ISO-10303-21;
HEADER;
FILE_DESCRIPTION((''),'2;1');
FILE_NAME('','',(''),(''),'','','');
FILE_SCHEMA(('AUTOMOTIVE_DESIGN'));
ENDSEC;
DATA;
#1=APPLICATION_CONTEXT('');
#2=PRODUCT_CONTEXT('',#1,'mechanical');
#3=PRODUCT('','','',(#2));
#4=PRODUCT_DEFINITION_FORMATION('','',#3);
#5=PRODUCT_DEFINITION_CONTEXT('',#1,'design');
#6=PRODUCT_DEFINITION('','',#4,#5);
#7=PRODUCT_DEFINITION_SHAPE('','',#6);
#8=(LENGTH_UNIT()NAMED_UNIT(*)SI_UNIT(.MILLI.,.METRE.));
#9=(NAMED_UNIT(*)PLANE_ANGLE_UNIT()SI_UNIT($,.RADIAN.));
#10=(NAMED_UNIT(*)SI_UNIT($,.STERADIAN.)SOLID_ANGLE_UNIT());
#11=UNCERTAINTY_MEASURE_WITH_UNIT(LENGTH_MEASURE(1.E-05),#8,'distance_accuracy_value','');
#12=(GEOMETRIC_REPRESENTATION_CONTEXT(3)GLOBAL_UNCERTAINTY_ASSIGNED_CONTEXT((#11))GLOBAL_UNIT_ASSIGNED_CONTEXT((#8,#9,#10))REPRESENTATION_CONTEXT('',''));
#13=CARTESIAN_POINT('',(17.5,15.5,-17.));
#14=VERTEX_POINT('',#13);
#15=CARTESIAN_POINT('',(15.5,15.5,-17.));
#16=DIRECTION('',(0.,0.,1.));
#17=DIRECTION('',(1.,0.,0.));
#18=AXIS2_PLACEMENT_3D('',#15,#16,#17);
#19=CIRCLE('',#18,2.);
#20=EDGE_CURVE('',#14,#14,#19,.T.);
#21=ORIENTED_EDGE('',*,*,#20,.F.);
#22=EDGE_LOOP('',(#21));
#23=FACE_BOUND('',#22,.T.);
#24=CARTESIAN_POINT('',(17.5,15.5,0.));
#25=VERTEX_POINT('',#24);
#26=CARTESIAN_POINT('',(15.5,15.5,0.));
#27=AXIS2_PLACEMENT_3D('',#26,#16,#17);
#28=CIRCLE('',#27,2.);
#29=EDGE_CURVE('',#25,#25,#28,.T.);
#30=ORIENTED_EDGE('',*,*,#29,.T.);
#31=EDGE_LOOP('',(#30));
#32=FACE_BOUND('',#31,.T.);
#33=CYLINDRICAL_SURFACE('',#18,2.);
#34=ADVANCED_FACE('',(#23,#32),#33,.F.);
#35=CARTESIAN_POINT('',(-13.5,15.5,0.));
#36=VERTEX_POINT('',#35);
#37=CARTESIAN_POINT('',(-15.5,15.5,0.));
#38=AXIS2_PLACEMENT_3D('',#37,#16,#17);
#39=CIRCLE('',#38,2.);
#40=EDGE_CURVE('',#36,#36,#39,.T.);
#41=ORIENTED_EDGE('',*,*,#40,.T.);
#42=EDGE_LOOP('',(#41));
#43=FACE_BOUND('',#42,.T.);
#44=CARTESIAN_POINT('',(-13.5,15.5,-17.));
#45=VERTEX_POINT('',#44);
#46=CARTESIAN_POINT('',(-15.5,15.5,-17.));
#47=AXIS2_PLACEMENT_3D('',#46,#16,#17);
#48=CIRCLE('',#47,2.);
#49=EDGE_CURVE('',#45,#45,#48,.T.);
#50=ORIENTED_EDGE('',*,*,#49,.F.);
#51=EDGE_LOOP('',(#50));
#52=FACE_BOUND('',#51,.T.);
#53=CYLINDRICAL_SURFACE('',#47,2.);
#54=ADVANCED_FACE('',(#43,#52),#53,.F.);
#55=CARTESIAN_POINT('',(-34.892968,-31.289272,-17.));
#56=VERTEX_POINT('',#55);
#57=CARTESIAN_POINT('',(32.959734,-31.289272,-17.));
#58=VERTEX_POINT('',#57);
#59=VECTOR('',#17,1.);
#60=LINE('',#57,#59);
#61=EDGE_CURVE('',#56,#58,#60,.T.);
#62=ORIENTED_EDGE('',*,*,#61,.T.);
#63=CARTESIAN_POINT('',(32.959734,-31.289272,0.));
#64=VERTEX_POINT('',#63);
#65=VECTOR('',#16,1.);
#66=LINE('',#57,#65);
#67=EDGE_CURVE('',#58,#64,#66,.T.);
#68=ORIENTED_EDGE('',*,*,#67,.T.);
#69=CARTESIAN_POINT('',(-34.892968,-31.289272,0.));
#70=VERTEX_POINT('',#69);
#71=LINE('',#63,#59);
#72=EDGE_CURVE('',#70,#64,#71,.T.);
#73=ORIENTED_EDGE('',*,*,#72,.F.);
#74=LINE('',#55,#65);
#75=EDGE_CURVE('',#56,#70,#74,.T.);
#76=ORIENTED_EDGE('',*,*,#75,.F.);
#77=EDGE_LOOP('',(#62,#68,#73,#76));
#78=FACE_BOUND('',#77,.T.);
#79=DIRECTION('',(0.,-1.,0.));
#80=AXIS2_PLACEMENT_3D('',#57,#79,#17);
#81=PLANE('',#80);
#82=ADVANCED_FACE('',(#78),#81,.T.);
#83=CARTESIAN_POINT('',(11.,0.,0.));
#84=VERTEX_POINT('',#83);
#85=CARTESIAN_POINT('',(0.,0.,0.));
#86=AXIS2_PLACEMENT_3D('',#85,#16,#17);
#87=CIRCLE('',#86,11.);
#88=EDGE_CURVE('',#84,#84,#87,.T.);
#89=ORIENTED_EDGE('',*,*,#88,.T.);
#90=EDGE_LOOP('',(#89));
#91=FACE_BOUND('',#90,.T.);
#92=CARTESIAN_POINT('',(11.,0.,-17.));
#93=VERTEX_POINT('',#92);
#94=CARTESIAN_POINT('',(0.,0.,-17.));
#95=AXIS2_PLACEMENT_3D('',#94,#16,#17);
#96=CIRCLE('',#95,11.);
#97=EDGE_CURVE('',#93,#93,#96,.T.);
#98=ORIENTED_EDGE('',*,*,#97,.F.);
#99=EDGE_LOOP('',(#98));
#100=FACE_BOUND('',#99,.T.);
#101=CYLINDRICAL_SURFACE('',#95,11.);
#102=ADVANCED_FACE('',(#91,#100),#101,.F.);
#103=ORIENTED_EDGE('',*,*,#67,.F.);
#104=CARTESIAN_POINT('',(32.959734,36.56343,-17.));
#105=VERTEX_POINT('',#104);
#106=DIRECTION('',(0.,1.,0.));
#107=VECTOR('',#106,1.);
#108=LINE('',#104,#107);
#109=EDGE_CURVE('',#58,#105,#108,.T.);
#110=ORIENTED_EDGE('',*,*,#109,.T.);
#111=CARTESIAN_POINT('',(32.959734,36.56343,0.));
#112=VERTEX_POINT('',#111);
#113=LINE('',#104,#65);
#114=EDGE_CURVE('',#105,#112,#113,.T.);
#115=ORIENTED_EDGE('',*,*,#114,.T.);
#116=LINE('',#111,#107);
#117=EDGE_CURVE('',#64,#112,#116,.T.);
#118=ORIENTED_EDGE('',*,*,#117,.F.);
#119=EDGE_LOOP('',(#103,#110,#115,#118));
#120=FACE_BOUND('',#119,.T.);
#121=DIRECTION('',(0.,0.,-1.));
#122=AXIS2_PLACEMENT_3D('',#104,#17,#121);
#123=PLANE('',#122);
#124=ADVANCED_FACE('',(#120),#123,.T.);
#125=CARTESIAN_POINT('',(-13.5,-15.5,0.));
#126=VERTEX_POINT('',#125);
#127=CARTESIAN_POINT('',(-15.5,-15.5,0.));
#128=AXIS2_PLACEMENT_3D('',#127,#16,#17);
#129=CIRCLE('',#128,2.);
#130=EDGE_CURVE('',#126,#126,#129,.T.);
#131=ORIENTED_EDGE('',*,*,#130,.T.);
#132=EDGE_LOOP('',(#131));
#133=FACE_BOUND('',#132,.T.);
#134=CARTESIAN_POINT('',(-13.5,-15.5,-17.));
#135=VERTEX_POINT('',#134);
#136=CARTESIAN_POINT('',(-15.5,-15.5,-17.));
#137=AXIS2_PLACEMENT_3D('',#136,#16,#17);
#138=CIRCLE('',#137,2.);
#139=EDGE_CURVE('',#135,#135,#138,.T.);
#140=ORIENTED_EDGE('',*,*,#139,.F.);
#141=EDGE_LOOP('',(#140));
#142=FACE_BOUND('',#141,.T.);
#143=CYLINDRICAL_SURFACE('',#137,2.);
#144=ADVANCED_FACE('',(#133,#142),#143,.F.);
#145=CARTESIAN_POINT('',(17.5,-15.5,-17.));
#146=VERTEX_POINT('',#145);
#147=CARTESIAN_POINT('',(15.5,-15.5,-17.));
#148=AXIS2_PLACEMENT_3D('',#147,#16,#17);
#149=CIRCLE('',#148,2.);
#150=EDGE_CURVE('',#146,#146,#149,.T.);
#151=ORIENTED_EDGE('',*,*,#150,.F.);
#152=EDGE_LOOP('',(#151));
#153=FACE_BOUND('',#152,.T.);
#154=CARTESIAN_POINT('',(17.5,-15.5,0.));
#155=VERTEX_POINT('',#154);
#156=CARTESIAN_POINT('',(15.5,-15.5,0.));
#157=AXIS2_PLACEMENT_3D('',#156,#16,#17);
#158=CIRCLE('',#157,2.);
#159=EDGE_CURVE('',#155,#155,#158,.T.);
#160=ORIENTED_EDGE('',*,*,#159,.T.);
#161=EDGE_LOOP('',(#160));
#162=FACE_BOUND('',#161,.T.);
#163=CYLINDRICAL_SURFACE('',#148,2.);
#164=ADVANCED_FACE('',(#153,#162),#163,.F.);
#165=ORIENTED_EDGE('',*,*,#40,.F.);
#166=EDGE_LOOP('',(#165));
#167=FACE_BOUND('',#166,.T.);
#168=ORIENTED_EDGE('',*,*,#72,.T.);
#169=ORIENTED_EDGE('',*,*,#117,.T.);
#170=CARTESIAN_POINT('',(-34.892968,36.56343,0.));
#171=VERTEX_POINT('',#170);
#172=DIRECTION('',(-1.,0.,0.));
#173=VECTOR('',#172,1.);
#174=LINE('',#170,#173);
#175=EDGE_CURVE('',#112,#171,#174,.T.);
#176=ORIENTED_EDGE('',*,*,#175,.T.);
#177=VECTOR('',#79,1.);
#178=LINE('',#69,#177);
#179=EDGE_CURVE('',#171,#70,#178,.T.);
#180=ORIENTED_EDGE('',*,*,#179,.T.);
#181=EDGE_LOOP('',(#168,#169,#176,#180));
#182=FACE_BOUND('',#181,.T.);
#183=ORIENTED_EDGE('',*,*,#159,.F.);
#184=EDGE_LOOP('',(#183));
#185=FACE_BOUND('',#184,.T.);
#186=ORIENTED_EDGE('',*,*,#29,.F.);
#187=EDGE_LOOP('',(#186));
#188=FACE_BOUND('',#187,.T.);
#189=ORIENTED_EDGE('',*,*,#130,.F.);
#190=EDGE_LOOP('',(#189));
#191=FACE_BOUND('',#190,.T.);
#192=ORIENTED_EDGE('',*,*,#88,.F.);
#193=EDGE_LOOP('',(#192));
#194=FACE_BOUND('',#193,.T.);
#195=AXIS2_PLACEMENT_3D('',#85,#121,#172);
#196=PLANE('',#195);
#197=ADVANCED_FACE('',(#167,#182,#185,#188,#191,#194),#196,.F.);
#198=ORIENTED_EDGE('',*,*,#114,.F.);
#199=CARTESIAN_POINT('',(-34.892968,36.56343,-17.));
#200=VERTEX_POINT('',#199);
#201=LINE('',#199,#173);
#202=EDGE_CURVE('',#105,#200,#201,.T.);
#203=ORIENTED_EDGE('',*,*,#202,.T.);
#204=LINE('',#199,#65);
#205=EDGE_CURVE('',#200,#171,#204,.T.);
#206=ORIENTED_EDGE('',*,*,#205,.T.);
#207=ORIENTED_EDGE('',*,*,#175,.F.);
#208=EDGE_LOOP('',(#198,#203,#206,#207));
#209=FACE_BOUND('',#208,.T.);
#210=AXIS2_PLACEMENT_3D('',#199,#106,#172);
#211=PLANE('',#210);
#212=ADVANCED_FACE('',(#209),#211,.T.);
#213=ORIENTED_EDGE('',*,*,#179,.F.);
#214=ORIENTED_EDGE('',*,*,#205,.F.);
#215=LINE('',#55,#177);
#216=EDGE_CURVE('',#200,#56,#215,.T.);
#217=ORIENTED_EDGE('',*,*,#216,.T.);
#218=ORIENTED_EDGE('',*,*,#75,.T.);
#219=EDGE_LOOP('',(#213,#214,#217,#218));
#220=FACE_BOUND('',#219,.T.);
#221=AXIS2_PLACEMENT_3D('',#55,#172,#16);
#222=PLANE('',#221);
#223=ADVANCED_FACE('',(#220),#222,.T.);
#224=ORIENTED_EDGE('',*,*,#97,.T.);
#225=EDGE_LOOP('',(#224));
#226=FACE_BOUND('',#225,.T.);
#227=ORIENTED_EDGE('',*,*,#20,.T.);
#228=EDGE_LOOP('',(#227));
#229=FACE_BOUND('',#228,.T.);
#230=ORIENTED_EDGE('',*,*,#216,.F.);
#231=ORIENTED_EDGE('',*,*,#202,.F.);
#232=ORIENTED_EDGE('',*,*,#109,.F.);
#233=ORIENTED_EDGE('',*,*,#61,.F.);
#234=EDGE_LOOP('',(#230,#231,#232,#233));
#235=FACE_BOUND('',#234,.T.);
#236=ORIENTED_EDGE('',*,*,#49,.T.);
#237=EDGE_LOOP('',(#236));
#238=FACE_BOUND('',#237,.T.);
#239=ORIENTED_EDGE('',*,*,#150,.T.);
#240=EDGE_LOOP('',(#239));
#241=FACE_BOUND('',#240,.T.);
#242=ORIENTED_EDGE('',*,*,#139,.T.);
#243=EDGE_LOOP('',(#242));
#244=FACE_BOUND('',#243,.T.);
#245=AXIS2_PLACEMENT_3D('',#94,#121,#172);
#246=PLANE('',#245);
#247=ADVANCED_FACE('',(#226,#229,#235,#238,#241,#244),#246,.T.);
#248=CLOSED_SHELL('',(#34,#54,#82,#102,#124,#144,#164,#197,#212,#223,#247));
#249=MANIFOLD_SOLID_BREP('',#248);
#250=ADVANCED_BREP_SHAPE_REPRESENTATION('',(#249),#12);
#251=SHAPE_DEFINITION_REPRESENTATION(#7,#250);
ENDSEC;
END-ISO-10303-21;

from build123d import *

# Parameters (mm, degrees)
SKETCH_1_W          = 67.85270183
SKETCH_1_H          = 67.85270183
EXTRUDE_1_DEPTH     = 17
SKETCH_2_R          = 11
CUT_EXTRUDE_1_DEPTH = 17
SKETCH_3_R          = 2
CUT_EXTRUDE_2_DEPTH = 17


with BuildPart() as part:
    # 草图1 → 凸台-拉伸1 (new body)
    with BuildSketch(Plane.XY):
        with Locations((-0.966617145, 2.637078742)):
            Rectangle(SKETCH_1_W, SKETCH_1_H)
    extrude(amount=-EXTRUDE_1_DEPTH)

    # 草图2 → 切除-拉伸1 (cut)
    with BuildSketch(Plane.XY):
        Circle(SKETCH_2_R)
    extrude(amount=-CUT_EXTRUDE_1_DEPTH, mode=Mode.SUBTRACT)

    # 草图3 → 切除-拉伸2 (cut)
    with BuildSketch(Plane.XY):
        with Locations((-15.5, 15.5)):
            Circle(SKETCH_3_R)
        with Locations((15.5, 15.5)):
            Circle(SKETCH_3_R)
        with Locations((-15.5, -15.5)):
            Circle(SKETCH_3_R)
        with Locations((15.5, -15.5)):
            Circle(SKETCH_3_R)
    extrude(amount=-CUT_EXTRUDE_2_DEPTH, mode=Mode.SUBTRACT)


solid = part.part
